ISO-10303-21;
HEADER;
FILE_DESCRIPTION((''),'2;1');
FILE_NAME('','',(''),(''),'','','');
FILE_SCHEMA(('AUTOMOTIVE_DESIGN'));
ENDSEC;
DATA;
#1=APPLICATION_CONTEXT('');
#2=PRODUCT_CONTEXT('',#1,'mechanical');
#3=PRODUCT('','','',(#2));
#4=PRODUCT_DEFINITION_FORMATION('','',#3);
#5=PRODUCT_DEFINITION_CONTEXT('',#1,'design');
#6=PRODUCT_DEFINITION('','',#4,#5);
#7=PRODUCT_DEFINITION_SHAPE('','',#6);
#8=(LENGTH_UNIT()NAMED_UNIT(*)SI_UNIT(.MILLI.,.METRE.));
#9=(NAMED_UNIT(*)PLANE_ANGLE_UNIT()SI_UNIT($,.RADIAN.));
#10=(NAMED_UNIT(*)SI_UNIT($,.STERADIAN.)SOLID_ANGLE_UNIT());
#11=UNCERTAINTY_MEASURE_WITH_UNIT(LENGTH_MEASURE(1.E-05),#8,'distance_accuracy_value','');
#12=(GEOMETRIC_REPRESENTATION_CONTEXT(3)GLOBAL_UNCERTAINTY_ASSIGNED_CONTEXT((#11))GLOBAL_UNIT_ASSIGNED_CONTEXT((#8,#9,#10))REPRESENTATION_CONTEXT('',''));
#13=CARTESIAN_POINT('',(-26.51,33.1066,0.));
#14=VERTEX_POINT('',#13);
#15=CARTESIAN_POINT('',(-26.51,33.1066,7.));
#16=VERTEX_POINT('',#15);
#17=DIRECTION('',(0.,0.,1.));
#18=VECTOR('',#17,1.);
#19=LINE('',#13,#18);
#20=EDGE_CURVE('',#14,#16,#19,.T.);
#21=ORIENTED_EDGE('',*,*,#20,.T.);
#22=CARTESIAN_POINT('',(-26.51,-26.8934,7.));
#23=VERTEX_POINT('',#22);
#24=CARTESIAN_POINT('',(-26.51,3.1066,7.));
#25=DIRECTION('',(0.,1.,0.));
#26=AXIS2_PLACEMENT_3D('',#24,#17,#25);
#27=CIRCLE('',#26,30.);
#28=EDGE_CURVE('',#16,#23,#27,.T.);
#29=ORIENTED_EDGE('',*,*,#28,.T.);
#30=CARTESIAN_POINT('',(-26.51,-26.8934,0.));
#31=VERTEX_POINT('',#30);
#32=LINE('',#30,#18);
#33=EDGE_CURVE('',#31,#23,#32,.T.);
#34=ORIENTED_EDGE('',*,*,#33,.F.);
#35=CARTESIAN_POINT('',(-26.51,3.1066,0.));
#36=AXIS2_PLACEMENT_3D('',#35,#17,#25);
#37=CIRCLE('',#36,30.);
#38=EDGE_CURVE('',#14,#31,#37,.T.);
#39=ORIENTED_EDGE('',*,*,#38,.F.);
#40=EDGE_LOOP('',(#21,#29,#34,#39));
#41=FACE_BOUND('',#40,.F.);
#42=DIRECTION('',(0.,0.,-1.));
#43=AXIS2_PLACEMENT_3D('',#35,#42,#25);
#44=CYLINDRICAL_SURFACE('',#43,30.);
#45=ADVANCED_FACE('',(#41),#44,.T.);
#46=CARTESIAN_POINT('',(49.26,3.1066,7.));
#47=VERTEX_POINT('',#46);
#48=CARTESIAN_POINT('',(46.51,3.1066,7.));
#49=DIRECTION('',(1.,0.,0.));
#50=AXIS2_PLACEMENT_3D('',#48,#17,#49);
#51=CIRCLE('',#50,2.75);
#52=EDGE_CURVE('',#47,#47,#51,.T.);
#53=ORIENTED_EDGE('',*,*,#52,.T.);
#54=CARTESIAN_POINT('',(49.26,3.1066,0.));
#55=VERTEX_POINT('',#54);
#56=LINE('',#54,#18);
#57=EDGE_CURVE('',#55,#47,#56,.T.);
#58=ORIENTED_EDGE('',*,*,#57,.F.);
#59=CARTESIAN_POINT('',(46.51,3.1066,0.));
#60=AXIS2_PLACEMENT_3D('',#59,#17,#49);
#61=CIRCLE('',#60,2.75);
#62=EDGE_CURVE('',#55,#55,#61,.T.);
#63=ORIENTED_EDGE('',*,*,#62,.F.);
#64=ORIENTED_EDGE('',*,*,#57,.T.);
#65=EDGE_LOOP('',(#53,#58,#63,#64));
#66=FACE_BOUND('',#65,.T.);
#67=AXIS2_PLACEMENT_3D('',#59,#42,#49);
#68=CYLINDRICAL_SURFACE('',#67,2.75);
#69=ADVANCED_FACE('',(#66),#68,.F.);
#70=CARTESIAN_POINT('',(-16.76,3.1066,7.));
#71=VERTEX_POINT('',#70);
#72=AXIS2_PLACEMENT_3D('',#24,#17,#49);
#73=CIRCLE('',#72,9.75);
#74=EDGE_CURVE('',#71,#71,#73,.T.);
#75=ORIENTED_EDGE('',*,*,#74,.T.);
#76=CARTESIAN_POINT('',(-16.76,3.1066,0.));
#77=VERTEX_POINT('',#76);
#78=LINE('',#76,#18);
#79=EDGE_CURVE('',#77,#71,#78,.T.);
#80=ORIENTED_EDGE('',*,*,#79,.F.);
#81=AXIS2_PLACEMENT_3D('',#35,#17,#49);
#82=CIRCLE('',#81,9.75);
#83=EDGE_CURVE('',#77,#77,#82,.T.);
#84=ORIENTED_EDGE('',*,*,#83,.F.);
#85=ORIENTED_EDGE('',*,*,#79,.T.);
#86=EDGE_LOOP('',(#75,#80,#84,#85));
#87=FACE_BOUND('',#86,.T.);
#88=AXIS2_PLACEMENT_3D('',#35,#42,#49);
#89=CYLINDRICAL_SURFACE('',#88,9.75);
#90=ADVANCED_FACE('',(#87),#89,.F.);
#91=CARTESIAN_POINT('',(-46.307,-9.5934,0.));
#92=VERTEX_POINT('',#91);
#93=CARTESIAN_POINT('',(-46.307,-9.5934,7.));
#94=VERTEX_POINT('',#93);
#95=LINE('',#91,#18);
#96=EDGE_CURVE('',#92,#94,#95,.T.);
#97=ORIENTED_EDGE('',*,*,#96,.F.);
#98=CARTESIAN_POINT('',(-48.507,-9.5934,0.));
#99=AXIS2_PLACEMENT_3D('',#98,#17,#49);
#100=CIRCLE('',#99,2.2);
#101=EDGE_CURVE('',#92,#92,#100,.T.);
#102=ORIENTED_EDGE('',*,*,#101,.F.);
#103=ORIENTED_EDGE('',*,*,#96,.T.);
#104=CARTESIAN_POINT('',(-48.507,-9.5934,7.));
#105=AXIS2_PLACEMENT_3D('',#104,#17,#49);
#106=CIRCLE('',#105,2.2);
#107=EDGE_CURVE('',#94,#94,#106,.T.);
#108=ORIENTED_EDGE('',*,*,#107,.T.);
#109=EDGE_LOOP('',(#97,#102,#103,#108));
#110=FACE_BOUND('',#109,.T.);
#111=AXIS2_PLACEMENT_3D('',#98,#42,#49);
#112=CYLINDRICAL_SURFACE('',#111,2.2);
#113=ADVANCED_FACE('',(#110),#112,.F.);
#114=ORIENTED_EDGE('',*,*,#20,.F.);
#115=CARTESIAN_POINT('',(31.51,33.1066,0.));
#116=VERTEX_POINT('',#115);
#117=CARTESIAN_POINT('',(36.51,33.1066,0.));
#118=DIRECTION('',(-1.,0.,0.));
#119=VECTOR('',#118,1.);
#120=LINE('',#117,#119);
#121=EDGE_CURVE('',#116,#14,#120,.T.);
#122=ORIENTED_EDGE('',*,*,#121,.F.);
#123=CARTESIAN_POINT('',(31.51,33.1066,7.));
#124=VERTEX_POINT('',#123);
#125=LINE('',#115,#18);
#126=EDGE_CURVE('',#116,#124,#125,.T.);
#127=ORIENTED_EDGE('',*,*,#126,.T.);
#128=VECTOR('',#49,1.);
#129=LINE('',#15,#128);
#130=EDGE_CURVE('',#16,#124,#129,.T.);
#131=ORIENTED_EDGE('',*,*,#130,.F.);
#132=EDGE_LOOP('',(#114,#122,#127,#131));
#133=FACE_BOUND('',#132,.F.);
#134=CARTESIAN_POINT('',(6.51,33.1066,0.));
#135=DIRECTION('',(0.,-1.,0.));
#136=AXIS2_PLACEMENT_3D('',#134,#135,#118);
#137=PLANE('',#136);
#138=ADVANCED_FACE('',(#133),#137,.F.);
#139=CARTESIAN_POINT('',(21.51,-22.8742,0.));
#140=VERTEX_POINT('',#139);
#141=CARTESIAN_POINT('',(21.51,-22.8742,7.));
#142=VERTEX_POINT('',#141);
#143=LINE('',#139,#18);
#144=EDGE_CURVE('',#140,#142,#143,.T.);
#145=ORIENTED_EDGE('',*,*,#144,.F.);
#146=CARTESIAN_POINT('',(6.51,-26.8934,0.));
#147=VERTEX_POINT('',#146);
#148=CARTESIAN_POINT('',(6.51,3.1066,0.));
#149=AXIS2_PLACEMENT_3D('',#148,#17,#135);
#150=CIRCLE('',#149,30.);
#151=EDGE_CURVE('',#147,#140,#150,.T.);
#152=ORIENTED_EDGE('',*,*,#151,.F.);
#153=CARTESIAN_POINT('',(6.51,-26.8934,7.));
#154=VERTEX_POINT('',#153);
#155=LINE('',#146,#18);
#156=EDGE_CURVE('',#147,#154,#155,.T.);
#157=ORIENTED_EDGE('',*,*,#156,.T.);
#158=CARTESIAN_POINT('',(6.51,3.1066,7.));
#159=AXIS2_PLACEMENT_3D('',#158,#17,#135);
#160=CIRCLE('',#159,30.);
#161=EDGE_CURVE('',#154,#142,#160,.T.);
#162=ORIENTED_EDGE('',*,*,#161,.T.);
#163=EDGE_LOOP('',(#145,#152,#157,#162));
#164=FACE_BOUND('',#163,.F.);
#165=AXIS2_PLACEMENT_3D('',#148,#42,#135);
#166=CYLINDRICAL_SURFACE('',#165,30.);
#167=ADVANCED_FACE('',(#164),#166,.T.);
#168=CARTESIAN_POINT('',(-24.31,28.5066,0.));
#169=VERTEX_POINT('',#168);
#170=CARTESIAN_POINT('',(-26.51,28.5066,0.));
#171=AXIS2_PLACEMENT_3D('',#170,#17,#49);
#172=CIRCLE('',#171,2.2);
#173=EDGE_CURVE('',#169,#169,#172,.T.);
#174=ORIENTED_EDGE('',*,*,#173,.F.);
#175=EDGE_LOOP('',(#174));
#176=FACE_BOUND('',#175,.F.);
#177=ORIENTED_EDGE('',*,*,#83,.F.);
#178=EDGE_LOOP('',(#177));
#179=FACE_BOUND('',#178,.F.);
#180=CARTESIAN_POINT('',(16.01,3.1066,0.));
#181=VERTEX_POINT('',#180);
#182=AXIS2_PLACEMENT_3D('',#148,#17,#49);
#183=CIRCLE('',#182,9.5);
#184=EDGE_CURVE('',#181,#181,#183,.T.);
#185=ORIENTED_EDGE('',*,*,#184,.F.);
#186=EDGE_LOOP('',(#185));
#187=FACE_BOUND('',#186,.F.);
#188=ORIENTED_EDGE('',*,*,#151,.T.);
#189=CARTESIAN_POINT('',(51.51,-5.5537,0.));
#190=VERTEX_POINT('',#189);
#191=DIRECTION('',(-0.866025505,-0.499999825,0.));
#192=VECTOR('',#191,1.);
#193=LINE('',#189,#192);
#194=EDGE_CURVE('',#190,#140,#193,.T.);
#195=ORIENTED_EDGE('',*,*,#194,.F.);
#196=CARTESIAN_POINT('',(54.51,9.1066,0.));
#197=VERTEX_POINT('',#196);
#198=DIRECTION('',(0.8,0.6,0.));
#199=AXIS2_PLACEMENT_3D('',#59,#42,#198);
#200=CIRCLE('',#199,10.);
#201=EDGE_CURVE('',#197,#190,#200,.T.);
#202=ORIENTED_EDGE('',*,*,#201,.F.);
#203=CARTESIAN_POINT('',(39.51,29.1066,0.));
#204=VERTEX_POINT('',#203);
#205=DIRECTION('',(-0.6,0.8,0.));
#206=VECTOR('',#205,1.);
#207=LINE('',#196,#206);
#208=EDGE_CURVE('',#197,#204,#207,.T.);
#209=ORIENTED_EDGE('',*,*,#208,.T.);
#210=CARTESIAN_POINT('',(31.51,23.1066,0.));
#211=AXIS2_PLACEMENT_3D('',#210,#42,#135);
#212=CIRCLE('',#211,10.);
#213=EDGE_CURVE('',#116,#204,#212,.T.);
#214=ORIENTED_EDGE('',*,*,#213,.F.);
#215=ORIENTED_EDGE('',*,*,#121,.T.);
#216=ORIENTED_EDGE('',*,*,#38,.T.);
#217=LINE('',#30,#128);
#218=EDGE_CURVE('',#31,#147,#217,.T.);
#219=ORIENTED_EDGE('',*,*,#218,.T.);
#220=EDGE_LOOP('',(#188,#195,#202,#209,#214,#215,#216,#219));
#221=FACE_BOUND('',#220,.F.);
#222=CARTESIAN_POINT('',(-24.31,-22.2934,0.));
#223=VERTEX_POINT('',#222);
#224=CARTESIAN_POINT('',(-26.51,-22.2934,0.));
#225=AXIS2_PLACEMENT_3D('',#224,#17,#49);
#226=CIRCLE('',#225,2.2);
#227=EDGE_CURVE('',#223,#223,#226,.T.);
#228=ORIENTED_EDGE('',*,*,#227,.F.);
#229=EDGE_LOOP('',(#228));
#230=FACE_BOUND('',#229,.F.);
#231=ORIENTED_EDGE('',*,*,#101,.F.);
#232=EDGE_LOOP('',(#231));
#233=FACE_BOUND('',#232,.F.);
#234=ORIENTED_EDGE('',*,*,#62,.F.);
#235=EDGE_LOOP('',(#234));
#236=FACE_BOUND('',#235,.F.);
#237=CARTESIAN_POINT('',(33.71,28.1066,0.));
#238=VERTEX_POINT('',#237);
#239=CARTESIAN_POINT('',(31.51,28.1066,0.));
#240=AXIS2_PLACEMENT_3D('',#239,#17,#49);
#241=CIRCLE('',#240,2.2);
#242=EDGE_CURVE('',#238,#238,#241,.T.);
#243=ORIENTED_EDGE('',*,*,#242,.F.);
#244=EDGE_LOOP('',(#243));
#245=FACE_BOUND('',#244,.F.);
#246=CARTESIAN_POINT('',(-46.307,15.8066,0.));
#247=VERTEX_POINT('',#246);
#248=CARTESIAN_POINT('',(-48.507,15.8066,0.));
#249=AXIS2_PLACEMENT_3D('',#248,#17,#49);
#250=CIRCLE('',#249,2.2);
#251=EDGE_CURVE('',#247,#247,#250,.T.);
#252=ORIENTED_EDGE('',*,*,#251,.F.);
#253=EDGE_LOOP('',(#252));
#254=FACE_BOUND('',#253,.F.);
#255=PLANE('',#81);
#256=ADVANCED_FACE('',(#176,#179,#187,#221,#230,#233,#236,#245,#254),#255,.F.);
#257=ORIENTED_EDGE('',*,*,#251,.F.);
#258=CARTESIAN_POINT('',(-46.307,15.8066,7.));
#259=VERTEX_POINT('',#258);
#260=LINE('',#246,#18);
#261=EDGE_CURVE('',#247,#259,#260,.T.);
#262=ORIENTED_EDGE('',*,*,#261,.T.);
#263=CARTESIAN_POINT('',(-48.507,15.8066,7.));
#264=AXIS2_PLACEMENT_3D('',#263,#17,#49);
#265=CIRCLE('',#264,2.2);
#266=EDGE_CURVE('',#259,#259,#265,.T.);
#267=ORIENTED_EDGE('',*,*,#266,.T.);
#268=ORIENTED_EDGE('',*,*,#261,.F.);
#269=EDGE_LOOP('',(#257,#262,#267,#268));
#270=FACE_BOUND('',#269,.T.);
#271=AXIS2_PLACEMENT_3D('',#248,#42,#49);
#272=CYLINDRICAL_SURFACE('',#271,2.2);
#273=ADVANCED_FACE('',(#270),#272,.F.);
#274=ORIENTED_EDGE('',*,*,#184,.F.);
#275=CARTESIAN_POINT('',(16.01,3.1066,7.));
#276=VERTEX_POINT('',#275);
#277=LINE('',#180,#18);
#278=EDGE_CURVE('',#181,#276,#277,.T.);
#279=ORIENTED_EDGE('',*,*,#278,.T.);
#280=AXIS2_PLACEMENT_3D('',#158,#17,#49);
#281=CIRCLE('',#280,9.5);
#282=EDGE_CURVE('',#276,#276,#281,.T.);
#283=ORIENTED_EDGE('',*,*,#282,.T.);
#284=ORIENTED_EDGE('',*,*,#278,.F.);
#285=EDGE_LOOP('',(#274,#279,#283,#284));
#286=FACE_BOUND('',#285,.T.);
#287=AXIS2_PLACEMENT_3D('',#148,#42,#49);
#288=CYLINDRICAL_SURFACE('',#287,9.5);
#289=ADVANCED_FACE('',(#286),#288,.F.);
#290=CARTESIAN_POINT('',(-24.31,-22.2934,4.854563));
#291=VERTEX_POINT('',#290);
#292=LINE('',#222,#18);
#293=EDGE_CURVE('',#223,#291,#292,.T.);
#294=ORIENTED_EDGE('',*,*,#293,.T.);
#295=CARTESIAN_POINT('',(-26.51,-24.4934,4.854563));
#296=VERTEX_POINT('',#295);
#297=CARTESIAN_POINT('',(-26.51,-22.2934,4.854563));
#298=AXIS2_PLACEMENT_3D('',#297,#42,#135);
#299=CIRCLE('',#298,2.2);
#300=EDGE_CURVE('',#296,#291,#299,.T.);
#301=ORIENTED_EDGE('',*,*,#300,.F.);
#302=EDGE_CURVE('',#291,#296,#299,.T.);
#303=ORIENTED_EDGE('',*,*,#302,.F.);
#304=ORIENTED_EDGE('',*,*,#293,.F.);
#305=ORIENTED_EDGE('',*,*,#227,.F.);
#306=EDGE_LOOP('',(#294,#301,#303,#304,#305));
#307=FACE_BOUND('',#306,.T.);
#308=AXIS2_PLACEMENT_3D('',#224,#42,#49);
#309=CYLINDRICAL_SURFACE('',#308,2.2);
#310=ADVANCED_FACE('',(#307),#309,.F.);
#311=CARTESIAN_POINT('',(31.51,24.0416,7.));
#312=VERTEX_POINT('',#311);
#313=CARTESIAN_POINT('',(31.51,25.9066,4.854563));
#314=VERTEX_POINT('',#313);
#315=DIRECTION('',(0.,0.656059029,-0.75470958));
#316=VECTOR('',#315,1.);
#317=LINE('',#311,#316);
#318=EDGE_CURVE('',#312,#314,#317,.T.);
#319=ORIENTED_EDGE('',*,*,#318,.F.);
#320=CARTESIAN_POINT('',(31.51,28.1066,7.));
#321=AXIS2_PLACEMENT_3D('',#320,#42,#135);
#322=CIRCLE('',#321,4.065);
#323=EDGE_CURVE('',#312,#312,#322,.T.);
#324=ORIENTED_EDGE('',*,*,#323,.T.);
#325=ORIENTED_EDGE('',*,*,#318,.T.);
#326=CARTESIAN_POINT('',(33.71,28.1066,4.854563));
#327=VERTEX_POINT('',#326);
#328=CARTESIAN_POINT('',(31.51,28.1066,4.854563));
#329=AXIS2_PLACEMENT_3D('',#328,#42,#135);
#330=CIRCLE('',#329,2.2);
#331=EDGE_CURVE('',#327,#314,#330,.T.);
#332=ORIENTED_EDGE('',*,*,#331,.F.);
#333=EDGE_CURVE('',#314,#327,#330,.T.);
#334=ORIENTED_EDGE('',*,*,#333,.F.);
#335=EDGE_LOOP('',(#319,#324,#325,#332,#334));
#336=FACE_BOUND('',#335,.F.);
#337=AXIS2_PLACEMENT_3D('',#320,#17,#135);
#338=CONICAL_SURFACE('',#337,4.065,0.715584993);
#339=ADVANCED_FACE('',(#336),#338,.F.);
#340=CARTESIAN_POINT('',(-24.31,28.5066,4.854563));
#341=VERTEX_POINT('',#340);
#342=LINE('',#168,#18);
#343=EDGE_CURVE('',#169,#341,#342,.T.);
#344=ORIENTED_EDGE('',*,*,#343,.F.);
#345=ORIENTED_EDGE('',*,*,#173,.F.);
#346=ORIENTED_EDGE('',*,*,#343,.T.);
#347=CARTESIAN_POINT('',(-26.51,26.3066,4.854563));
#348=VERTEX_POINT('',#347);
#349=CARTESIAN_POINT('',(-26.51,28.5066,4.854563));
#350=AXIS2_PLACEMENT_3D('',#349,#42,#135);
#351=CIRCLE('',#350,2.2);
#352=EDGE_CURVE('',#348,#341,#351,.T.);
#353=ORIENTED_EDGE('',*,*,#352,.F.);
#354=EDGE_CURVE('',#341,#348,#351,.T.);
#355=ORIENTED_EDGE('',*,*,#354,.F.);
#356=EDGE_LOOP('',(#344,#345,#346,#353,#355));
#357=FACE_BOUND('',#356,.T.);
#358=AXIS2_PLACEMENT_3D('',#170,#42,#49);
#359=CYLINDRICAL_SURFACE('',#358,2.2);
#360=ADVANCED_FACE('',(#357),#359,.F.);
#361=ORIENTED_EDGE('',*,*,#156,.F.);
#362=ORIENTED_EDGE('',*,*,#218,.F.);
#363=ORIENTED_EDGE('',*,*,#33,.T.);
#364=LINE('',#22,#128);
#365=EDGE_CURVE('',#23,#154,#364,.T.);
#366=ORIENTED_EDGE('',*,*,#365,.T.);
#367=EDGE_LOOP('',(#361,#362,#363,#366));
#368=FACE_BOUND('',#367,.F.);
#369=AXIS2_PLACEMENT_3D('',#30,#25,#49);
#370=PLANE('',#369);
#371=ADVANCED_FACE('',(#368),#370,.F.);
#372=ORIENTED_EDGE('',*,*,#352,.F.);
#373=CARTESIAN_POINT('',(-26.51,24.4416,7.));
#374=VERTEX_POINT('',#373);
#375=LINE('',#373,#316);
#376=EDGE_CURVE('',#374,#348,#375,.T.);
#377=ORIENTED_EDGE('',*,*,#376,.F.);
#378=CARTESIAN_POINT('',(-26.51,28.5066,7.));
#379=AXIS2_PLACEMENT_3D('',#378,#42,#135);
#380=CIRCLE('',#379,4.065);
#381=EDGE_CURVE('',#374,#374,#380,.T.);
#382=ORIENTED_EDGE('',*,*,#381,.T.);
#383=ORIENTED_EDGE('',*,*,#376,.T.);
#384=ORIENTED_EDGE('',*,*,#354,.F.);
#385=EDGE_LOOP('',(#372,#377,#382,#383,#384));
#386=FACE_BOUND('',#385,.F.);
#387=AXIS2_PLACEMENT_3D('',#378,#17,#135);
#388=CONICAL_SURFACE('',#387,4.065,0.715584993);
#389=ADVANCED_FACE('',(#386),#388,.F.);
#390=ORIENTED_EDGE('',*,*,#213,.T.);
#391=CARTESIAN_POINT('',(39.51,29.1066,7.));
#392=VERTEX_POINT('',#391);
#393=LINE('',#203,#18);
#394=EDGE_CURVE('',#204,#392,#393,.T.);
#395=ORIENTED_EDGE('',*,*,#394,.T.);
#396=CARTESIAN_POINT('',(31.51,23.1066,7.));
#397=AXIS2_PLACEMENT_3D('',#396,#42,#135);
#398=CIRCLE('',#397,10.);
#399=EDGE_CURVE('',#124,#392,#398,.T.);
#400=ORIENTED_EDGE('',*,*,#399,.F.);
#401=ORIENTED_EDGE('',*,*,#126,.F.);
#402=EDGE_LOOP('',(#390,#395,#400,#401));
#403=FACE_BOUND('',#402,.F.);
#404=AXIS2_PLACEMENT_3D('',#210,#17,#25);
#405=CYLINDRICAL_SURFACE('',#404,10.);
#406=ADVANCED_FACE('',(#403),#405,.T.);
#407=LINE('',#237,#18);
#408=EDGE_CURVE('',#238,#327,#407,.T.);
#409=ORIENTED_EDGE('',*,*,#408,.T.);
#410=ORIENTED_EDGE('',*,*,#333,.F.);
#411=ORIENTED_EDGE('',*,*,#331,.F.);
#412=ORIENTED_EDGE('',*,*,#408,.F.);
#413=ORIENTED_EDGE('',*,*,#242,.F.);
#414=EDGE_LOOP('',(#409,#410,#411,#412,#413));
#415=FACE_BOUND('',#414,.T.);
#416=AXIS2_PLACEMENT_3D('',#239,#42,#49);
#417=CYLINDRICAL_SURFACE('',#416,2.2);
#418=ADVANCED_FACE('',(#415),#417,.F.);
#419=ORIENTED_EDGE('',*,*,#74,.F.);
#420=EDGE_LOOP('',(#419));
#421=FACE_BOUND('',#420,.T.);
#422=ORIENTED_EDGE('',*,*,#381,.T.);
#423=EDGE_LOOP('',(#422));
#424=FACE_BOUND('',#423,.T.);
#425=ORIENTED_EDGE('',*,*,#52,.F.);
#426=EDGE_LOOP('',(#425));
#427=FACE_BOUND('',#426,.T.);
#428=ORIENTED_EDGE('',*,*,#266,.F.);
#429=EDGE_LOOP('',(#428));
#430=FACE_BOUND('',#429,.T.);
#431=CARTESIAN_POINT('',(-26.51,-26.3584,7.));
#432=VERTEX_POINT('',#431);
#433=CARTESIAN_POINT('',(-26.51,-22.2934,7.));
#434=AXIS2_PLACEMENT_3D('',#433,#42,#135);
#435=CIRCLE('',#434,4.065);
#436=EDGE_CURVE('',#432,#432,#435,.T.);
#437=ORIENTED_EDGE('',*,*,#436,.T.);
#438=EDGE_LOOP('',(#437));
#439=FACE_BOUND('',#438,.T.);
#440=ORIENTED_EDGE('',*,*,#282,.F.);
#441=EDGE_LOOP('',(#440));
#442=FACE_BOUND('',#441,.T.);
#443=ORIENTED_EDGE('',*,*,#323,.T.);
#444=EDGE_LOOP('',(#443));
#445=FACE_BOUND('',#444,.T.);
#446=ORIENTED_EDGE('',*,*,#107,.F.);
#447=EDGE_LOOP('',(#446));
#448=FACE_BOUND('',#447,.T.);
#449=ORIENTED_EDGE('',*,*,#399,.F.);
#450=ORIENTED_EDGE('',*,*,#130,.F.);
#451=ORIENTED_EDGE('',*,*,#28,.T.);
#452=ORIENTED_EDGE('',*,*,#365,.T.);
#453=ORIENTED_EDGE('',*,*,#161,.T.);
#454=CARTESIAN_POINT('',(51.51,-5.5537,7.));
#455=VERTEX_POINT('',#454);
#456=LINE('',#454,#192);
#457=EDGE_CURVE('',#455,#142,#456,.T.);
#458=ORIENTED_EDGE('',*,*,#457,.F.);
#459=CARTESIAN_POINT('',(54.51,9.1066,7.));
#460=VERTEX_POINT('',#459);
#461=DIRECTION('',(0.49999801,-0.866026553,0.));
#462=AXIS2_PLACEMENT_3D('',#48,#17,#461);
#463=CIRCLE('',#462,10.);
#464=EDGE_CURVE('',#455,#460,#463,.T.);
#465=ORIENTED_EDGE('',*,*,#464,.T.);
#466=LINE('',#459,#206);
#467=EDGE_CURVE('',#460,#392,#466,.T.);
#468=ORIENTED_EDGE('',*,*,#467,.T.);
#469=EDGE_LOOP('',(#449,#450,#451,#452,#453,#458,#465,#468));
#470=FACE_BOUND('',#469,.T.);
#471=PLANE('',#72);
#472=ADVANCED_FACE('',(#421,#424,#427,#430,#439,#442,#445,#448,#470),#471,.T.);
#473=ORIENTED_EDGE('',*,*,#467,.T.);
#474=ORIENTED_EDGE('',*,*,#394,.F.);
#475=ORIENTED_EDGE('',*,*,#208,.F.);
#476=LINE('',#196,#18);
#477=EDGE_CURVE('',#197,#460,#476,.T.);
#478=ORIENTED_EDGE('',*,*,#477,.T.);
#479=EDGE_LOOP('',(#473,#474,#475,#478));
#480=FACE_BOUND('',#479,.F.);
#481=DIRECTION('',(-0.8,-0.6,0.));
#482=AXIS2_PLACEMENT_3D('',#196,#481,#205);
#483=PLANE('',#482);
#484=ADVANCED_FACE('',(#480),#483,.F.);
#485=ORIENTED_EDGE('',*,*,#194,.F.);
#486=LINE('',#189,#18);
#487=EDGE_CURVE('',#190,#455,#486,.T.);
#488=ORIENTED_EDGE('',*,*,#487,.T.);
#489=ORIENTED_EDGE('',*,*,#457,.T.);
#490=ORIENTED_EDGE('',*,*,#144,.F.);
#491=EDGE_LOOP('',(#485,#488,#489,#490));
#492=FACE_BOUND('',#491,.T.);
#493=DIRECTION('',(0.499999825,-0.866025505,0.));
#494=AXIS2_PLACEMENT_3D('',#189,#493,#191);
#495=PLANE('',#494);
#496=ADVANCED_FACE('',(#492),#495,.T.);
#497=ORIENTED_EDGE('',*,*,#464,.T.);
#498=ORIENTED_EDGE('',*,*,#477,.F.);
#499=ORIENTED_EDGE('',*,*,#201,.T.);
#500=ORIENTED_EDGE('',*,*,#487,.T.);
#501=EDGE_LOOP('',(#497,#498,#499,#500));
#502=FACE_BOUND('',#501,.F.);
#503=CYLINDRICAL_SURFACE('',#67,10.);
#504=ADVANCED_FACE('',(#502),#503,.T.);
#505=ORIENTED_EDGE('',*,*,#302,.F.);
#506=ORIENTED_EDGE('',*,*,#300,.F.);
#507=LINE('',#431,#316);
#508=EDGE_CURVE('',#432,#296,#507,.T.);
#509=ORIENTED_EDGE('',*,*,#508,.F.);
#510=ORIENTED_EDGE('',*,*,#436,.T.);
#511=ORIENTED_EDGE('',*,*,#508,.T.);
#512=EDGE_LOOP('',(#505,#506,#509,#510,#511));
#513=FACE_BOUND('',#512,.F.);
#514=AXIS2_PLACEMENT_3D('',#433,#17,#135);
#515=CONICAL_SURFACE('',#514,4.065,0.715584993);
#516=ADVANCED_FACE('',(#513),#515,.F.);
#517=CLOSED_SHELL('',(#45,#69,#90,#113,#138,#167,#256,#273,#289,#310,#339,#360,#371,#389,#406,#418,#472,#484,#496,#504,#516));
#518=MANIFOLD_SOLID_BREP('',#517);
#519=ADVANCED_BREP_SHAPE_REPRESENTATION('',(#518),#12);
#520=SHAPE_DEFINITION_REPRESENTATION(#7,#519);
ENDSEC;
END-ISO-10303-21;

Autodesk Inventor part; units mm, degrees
ref_plane "YZ Plane" through (0, 0, 0) normal (1, 0, 0) x (0, 1, 0)
ref_plane "XZ Plane" through (0, 0, 0) normal (0, 1, 0) x (-1, 0, 0)
ref_plane "XY Plane" through (0, 0, 0) normal (0, 0, 1) x (1, 0, 0)
sketch "Sketch1" plane through (-26.51, 3.1066, 0) normal (0, 0, 1) x (1, 0, 0)
  circle A0 centre (0, 0) radius 7.62 construction
  circle A1 centre (0, 0) radius 9.75
  circle A2 centre (33.02, 0) radius 25.4 construction
  line L0 (0, 0) -> (7.62, 0)
  line L1 (0, 0) -> (7.62, 0) construction
  circle A3 centre (33.02, 0) radius 9.5
  line L2 (0, -30) -> (33.02, -30)
  line L3 (33.02, 30) -> (0, 30)
  arc A4 (33.02, -30) -> (63.02, 0) centre (33.02, 0) ccw
  arc A5 (0, 30) -> (0, -30) centre (0, 0) ccw
  circle A6 centre (0, 0) radius 25.4 construction
  line L4 (0, 25.4) -> (0, 0) construction
  line L5 (0, 25.4) -> (25.4, 25.4) construction
  circle A7 centre (0, 25.4) radius 2.2
  circle A8 centre (-21.997, 12.7) radius 2.2
  circle A9 centre (-21.997, -12.7) radius 2.2
  circle A10 centre (0, -25.4) radius 2.2
  circle A11 centre (21.997, -12.7) radius 2.2
  circle A12 centre (21.997, 12.7) radius 2.2
  line L6 (63.02, 0) -> (63.02, 30)
  line L7 (63.02, 30) -> (33.02, 30)
  circle A13 centre (58.02, 25) radius 2.2
  circle A14 centre (73.02, 0) radius 2.75
  circle A15 centre (73.02, 0) radius 10
  line L8 (81.02, 6) -> (63.02, 30)
  line L9 (78.02, -8.6603) -> (48.02, -25.9808)
  dimension "d13" = 50.8
  dimension "d21" = 15.24
  dimension "d20" = 19.5
  dimension "d18" = 50.8
  dimension "d17" = 7.62
  dimension "d25" = 0
  dimension "d19" = 33.02
  dimension "d16" = 19
  dimension "d14" = 30
  dimension "d15" = 60
  dimension "d26" = 25.4
  dimension "d27" = 90
  dimension "d12" = 4.4
  dimension "d2" = 360
  dimension "d11" = 30
  dimension "d9" = 30
  dimension "d10" = 90
  dimension "d6" = 4.4
  dimension "d8" = 5
  dimension "d7" = 5
  dimension "d4" = 5.5
  dimension "d5" = 10
  dimension "d3" = 20
extrude "Extrusion1" add sketch "Sketch1" along normal blind 7 contours A5 L3 L7 L6 A4 L2 | A4 A15 L9 | L6 L8 A15 | A15 | A11 | A12
fillet "Fillet1" radius 10 1 edges at (36.51, 33.1066, 3.5)
sketch "Sketch2" plane through (-26.51, 3.1066, 7) normal (0, 0, 1) x (1, 0, 0)
  circle A0 centre (0, 25.4) radius 2.2 projected
  circle A1 centre (0, -25.4) radius 2.2 projected
  circle A2 centre (58.02, 25) radius 2.2 projected
  point P0 (26.51, -3.1066)
hole "Hole1" at (-26.51, 28.5066, 7) at (31.51, 28.1066, 7) at (-26.51, -22.2934, 7) direction (0, 0, -1) diameter 4.4 depth 7 countersink diameter 8.13 countersink angle 82
properties part number "Outer Plate" material "Aluminum 6061"
